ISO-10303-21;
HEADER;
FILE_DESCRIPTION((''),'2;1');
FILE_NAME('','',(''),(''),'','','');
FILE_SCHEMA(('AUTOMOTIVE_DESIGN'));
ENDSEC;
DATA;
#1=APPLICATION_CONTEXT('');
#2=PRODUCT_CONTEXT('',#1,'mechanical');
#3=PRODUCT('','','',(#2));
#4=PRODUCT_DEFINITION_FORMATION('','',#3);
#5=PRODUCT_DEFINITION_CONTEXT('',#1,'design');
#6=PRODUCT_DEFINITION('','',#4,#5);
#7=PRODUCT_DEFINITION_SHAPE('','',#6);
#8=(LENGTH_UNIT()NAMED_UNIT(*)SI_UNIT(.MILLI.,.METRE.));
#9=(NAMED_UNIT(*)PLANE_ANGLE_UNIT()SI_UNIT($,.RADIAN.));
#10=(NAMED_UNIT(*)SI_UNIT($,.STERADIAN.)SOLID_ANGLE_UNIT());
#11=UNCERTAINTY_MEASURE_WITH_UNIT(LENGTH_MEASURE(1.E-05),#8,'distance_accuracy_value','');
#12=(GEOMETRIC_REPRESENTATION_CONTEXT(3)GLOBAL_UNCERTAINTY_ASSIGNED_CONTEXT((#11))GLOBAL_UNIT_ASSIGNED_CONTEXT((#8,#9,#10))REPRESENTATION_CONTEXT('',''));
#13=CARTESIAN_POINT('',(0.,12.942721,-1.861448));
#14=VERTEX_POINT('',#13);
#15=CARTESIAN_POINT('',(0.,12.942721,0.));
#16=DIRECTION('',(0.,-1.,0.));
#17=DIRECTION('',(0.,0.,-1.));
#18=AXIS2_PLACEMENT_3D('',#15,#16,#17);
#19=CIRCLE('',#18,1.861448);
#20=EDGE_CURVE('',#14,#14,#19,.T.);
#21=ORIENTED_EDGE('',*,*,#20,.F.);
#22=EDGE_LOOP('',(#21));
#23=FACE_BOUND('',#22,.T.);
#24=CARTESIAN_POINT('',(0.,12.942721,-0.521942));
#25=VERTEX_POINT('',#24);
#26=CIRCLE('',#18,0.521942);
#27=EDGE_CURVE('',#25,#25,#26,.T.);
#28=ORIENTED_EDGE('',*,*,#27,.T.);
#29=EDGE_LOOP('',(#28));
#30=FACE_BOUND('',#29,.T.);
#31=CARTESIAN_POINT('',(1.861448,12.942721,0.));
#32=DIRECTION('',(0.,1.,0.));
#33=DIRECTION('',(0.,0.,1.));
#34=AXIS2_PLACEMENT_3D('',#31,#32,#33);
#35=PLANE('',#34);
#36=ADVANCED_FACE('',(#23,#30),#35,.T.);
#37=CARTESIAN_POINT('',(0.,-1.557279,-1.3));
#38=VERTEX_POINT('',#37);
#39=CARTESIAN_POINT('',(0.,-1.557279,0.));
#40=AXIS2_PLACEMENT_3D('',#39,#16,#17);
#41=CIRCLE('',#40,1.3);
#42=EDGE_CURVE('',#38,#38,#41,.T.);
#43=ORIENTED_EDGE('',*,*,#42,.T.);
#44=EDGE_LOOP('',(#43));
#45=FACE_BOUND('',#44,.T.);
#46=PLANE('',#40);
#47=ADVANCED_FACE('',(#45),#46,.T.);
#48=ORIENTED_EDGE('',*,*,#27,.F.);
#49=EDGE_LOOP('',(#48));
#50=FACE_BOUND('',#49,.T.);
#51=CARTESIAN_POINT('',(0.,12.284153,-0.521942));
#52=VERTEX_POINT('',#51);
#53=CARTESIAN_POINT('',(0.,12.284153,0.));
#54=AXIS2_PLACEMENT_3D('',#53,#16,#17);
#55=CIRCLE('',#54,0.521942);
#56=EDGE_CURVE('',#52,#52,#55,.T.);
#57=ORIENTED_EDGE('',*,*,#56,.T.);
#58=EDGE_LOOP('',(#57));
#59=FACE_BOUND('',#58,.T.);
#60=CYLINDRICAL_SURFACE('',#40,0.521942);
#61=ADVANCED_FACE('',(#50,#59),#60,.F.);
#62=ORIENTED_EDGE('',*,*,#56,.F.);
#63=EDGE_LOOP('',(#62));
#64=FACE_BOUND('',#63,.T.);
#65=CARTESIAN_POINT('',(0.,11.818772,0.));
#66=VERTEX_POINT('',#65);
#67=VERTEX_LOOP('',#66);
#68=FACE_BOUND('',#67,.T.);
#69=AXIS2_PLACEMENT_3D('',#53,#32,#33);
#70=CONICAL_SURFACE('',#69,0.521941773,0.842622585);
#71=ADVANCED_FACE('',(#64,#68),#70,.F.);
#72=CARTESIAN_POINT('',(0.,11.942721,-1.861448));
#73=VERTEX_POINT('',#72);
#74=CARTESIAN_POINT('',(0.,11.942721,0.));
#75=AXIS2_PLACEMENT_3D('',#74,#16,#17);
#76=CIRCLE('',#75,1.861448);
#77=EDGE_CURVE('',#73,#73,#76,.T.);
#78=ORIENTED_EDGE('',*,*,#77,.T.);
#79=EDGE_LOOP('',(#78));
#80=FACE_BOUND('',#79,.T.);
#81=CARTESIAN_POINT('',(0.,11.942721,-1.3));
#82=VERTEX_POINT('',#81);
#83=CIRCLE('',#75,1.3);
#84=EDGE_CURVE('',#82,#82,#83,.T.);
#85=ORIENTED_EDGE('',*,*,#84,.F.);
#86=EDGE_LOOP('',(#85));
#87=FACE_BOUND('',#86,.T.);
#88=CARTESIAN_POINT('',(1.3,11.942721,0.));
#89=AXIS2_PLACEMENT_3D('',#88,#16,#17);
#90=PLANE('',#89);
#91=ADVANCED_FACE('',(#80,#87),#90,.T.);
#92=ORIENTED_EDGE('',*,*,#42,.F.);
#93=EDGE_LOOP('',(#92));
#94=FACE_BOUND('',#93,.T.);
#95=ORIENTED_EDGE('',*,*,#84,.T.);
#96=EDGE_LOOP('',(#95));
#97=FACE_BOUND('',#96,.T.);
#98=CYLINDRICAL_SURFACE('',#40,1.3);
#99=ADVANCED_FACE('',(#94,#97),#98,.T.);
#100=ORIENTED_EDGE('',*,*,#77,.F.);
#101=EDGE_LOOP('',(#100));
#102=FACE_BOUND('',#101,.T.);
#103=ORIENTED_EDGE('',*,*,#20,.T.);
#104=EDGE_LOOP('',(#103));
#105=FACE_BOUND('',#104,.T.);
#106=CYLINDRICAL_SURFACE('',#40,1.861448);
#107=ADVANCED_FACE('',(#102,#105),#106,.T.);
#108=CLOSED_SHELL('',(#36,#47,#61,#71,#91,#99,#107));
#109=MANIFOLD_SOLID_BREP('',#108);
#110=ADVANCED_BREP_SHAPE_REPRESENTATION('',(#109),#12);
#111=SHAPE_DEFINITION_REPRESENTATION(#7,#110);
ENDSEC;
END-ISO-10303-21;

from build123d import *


with BuildPart() as part:
    # Sketch1 → Revolve1 (revolve)
    with BuildSketch(Plane.XY):
        Polygon((0.521941773, 12.942721083), (0.521941773, 12.284153462), (0, 11.818772418), (0, -1.557278917), (1.3, -1.557278917), (1.3, 11.942721083), (1.861447904, 11.942721083), (1.861447904, 12.942721083), align=None)
    revolve(axis=Axis((0, -1.557278917, 0), (0, 1, 0)))


solid = part.part
